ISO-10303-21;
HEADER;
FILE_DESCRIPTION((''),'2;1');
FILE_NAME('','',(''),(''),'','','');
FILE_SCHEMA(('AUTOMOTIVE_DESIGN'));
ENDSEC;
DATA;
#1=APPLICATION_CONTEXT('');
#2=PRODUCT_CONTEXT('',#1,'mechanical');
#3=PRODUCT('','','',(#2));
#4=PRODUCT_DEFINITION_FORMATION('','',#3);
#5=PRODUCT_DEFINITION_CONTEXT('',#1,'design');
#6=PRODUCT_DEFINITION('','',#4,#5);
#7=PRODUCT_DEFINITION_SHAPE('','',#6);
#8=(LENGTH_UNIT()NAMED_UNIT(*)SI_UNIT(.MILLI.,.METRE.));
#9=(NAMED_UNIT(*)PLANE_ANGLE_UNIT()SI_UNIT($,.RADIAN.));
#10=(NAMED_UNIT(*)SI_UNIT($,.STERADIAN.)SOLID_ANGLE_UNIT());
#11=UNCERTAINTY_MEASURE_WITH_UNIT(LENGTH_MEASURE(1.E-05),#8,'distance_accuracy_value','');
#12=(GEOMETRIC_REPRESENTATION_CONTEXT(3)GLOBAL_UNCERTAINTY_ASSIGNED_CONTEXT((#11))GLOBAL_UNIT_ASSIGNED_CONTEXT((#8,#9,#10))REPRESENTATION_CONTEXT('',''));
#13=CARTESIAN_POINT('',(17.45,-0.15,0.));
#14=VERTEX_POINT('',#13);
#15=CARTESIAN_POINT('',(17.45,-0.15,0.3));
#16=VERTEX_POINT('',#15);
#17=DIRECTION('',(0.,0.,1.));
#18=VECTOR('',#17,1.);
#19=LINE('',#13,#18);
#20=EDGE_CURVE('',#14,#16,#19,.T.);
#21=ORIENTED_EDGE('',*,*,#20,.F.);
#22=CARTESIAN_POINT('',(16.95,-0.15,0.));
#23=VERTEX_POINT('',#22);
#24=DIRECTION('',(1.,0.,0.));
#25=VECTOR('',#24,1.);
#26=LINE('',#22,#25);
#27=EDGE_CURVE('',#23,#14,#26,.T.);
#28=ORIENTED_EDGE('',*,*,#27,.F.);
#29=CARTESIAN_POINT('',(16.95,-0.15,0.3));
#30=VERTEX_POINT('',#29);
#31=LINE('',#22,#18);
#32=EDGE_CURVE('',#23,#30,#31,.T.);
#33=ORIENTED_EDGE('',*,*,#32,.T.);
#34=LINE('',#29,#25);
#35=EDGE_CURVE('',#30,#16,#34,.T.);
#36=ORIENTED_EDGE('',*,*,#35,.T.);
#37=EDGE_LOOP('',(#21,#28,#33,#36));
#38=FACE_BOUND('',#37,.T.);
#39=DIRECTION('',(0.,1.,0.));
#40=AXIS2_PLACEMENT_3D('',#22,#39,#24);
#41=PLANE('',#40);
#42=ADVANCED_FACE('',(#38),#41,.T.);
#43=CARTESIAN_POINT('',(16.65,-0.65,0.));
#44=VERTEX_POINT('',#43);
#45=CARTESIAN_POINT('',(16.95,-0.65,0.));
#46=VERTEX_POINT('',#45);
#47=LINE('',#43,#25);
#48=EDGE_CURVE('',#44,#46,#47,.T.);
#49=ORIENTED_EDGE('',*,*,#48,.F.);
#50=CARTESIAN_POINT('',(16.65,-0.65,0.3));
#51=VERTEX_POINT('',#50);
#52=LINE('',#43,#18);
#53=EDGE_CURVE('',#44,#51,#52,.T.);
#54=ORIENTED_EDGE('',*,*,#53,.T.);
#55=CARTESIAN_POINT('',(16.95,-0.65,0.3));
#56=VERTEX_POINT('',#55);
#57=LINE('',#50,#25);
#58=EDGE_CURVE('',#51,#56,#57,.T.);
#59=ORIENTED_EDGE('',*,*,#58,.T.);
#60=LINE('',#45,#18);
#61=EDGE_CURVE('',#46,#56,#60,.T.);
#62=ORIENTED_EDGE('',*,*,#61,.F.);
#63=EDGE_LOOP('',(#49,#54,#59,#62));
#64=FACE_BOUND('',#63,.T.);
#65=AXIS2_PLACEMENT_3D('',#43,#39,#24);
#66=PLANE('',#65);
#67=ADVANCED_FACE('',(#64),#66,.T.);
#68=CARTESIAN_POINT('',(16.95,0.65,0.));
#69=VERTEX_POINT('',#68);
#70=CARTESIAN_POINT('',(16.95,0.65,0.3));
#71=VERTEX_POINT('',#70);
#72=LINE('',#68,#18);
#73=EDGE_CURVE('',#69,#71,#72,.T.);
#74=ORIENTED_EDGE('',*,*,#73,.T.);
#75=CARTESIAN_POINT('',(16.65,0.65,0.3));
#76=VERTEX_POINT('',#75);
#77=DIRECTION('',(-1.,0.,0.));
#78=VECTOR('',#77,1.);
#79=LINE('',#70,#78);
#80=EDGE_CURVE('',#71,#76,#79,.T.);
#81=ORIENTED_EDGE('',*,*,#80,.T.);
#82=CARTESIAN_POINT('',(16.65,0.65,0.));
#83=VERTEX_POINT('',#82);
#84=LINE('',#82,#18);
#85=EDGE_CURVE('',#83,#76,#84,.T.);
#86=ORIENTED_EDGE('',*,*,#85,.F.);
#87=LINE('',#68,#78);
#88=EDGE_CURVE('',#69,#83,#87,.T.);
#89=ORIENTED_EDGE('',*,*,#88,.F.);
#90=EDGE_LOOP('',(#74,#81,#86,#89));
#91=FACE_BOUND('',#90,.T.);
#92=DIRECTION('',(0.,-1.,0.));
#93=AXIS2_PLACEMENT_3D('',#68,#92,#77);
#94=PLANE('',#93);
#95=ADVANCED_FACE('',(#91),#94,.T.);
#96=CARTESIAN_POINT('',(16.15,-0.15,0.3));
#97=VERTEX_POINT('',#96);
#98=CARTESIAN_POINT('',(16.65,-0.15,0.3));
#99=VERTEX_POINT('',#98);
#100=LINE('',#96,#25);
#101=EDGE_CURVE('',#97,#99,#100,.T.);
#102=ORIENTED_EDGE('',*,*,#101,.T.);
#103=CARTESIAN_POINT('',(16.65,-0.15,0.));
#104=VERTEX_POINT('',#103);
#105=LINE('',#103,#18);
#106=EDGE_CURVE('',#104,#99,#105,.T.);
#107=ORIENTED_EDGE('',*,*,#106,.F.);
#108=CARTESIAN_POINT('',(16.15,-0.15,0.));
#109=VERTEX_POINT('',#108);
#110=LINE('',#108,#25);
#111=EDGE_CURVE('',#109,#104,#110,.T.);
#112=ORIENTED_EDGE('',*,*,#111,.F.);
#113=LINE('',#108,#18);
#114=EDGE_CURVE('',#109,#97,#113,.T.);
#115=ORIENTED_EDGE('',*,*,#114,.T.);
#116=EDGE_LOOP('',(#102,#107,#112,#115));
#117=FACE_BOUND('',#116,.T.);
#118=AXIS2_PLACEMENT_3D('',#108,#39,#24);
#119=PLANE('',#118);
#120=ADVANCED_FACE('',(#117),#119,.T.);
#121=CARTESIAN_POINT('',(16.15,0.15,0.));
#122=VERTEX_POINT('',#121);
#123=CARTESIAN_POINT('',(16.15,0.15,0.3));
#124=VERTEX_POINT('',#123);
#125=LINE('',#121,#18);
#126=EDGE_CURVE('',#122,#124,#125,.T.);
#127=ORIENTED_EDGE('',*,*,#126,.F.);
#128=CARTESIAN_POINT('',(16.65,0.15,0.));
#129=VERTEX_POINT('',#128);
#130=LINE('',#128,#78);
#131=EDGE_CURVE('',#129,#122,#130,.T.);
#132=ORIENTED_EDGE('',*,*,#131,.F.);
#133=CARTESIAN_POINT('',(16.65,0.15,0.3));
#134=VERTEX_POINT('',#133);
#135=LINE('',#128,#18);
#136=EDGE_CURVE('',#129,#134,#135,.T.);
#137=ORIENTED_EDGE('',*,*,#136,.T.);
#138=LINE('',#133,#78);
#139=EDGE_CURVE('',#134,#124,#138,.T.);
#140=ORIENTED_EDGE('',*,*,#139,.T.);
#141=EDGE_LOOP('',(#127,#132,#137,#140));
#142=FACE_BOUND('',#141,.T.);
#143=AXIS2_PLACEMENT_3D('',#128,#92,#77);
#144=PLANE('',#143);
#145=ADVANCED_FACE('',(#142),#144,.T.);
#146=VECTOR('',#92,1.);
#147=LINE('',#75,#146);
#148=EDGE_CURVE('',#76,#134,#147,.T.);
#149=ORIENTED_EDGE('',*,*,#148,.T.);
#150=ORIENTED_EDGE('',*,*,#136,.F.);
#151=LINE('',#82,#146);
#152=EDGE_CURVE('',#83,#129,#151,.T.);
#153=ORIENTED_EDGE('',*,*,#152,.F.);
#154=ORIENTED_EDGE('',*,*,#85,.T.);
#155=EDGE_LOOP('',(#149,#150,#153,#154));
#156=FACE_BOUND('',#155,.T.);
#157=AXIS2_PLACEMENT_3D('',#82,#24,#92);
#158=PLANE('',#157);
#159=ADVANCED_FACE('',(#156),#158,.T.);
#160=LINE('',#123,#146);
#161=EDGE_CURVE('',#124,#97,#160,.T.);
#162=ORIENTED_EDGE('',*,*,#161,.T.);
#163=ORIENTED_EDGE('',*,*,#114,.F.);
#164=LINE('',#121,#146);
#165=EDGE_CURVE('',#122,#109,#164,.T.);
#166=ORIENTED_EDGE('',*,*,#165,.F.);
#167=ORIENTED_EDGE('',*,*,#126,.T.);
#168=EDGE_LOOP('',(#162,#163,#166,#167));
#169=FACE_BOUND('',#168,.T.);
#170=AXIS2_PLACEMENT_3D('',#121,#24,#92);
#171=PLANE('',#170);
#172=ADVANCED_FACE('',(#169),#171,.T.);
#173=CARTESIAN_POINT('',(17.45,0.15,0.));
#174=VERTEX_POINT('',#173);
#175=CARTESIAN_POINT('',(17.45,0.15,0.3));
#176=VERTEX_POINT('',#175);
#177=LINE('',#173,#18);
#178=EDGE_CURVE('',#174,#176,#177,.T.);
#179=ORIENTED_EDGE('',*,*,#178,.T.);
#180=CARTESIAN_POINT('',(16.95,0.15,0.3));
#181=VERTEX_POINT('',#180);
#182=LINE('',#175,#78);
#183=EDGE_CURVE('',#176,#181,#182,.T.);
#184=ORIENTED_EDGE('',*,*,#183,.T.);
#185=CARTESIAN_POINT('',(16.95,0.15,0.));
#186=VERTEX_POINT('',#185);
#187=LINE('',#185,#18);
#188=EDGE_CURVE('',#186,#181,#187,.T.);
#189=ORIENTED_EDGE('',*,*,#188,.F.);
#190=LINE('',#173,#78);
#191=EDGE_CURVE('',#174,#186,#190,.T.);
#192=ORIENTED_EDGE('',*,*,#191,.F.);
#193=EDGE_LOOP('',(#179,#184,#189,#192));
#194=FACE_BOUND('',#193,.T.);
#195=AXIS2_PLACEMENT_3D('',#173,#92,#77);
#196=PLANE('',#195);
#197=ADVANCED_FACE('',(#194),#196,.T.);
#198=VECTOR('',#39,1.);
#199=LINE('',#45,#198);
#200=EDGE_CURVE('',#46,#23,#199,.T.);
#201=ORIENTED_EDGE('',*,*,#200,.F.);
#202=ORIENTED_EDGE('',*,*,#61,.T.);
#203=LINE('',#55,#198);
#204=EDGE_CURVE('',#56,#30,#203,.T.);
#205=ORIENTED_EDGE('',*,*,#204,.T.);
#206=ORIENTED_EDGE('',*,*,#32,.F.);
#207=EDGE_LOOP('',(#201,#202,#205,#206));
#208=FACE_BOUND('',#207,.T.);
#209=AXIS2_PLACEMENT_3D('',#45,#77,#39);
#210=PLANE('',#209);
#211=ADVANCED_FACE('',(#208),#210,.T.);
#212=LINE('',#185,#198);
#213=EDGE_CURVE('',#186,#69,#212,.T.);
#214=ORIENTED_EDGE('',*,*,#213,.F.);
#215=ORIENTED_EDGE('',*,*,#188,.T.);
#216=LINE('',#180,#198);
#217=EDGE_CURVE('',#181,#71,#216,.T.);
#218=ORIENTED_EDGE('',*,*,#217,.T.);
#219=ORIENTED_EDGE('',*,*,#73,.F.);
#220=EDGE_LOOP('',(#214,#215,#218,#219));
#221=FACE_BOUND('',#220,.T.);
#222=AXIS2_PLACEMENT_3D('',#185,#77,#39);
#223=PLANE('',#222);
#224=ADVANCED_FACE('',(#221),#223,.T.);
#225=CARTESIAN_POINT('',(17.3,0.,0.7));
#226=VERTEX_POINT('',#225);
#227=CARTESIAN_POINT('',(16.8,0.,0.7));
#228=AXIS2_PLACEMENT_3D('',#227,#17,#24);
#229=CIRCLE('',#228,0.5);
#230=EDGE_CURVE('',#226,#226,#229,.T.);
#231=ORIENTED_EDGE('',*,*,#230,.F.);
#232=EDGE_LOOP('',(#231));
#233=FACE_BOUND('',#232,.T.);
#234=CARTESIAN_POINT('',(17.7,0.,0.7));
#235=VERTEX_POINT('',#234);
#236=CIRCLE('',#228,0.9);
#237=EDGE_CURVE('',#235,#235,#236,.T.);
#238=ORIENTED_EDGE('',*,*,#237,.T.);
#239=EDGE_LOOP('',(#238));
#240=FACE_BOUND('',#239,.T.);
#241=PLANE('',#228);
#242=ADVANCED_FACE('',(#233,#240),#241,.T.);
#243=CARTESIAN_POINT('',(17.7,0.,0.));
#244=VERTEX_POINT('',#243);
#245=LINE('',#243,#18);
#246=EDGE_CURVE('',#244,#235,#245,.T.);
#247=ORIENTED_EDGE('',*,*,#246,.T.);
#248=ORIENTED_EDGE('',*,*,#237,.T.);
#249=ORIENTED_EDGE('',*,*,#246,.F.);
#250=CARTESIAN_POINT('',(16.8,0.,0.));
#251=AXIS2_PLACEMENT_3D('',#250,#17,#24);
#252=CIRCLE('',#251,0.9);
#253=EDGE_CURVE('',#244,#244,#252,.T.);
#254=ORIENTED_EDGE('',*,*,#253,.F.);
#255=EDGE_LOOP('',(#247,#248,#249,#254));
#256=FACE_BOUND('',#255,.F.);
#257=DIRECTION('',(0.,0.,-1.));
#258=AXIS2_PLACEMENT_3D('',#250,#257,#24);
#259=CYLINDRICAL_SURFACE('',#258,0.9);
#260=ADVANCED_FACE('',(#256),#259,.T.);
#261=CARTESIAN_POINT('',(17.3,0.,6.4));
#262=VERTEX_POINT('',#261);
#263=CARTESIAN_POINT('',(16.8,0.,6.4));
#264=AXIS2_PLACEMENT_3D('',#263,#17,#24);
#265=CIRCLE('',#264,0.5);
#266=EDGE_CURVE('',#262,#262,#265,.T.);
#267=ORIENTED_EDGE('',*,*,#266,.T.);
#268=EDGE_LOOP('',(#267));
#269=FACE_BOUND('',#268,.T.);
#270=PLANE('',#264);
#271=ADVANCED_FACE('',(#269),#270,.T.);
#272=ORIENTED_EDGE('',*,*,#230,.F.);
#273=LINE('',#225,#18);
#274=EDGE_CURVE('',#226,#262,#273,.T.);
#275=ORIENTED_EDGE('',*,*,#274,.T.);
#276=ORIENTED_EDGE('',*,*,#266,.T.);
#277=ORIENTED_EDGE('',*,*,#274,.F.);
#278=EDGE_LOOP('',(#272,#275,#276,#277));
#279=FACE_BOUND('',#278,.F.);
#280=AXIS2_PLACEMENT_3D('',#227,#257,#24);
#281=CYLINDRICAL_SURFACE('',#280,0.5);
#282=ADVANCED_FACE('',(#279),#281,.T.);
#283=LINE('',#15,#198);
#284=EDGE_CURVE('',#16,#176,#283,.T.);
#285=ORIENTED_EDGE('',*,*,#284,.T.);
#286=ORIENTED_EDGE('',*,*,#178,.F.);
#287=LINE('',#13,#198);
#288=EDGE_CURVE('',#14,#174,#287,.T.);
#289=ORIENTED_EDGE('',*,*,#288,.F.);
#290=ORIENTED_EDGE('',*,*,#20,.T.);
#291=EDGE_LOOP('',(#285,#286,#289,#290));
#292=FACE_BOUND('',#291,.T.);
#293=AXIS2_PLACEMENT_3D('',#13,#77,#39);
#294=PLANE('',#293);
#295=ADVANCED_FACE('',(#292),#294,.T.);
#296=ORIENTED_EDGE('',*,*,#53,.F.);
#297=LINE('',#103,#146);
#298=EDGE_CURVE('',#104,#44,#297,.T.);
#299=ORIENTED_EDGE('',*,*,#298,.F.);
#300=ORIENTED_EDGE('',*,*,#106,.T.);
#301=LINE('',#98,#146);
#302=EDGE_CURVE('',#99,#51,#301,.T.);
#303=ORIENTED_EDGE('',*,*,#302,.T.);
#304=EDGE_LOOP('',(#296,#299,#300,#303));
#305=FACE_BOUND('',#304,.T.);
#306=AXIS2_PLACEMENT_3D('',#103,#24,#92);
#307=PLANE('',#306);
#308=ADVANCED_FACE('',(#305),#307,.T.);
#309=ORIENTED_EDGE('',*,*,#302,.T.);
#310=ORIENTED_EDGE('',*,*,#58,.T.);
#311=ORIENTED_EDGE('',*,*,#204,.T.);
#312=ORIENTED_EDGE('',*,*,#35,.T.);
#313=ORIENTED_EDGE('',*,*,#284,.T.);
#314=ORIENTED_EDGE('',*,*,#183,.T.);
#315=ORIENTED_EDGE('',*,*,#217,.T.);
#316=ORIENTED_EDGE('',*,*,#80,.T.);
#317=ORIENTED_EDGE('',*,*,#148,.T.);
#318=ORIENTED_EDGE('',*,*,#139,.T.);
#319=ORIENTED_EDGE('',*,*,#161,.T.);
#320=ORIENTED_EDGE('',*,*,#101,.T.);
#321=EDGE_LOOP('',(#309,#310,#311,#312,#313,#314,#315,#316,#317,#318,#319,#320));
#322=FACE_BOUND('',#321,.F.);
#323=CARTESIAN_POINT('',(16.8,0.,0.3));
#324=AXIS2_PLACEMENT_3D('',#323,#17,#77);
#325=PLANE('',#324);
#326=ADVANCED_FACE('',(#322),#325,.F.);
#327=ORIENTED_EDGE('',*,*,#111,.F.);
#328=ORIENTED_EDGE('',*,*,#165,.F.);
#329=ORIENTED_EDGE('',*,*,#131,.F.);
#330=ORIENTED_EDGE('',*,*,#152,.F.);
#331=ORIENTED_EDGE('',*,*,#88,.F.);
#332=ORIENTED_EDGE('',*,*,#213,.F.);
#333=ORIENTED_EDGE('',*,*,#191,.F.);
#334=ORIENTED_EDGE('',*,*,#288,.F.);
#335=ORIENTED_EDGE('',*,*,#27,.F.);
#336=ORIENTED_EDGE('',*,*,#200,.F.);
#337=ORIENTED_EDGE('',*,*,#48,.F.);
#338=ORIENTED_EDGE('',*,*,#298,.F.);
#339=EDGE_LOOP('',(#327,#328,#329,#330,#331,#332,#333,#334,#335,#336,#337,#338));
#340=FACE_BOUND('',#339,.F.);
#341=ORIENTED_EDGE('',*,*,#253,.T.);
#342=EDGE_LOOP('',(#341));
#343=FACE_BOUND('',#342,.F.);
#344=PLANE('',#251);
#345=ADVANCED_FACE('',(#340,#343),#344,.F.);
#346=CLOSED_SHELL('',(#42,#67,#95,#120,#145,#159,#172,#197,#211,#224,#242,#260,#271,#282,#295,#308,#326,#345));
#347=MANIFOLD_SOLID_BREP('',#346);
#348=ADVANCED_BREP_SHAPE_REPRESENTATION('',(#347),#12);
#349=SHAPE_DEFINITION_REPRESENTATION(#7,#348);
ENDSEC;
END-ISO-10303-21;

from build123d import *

# Parameters (mm, degrees)
SKETCH008_R     = 0.9
PAD007_DEPTH    = 0.7
SKETCH009_R     = 0.5
PAD008_DEPTH    = 5.7
POCKET001_DEPTH = 0.3


with BuildPart() as part:
    # Sketch008 → Pad007 (new body)
    with BuildSketch(Plane.XY):
        Circle(SKETCH008_R)
    extrude(amount=PAD007_DEPTH)

    # Sketch009 (on Face3 of Pad007) → Pad008 (join)
    with BuildSketch(Plane.XY.offset(0.7)):
        Circle(SKETCH009_R)
    extrude(amount=PAD008_DEPTH)

    # Sketch010 (on Face2 of Pad008) → Pocket001 (cut)
    with BuildSketch(Plane(origin=(0, 0, 0), x_dir=(1, 0, 0), z_dir=(0, 0, -1))):
        Polygon((-0.15, 0.15), (-0.15, 0.65), (0.15, 0.65), (0.15, 0.15), (0.65, 0.15), (0.65, -0.15), (0.15, -0.15), (0.15, -0.65), (-0.15, -0.65), (-0.15, -0.15), (-0.65, -0.15), (-0.65, 0.15), align=None)
    extrude(amount=-POCKET001_DEPTH, mode=Mode.SUBTRACT)


with BuildPart() as part_1:
    # Body003 placement: moved
    add(part.part.moved(Location((16.8, 0, 0))))


solid = part_1.part
